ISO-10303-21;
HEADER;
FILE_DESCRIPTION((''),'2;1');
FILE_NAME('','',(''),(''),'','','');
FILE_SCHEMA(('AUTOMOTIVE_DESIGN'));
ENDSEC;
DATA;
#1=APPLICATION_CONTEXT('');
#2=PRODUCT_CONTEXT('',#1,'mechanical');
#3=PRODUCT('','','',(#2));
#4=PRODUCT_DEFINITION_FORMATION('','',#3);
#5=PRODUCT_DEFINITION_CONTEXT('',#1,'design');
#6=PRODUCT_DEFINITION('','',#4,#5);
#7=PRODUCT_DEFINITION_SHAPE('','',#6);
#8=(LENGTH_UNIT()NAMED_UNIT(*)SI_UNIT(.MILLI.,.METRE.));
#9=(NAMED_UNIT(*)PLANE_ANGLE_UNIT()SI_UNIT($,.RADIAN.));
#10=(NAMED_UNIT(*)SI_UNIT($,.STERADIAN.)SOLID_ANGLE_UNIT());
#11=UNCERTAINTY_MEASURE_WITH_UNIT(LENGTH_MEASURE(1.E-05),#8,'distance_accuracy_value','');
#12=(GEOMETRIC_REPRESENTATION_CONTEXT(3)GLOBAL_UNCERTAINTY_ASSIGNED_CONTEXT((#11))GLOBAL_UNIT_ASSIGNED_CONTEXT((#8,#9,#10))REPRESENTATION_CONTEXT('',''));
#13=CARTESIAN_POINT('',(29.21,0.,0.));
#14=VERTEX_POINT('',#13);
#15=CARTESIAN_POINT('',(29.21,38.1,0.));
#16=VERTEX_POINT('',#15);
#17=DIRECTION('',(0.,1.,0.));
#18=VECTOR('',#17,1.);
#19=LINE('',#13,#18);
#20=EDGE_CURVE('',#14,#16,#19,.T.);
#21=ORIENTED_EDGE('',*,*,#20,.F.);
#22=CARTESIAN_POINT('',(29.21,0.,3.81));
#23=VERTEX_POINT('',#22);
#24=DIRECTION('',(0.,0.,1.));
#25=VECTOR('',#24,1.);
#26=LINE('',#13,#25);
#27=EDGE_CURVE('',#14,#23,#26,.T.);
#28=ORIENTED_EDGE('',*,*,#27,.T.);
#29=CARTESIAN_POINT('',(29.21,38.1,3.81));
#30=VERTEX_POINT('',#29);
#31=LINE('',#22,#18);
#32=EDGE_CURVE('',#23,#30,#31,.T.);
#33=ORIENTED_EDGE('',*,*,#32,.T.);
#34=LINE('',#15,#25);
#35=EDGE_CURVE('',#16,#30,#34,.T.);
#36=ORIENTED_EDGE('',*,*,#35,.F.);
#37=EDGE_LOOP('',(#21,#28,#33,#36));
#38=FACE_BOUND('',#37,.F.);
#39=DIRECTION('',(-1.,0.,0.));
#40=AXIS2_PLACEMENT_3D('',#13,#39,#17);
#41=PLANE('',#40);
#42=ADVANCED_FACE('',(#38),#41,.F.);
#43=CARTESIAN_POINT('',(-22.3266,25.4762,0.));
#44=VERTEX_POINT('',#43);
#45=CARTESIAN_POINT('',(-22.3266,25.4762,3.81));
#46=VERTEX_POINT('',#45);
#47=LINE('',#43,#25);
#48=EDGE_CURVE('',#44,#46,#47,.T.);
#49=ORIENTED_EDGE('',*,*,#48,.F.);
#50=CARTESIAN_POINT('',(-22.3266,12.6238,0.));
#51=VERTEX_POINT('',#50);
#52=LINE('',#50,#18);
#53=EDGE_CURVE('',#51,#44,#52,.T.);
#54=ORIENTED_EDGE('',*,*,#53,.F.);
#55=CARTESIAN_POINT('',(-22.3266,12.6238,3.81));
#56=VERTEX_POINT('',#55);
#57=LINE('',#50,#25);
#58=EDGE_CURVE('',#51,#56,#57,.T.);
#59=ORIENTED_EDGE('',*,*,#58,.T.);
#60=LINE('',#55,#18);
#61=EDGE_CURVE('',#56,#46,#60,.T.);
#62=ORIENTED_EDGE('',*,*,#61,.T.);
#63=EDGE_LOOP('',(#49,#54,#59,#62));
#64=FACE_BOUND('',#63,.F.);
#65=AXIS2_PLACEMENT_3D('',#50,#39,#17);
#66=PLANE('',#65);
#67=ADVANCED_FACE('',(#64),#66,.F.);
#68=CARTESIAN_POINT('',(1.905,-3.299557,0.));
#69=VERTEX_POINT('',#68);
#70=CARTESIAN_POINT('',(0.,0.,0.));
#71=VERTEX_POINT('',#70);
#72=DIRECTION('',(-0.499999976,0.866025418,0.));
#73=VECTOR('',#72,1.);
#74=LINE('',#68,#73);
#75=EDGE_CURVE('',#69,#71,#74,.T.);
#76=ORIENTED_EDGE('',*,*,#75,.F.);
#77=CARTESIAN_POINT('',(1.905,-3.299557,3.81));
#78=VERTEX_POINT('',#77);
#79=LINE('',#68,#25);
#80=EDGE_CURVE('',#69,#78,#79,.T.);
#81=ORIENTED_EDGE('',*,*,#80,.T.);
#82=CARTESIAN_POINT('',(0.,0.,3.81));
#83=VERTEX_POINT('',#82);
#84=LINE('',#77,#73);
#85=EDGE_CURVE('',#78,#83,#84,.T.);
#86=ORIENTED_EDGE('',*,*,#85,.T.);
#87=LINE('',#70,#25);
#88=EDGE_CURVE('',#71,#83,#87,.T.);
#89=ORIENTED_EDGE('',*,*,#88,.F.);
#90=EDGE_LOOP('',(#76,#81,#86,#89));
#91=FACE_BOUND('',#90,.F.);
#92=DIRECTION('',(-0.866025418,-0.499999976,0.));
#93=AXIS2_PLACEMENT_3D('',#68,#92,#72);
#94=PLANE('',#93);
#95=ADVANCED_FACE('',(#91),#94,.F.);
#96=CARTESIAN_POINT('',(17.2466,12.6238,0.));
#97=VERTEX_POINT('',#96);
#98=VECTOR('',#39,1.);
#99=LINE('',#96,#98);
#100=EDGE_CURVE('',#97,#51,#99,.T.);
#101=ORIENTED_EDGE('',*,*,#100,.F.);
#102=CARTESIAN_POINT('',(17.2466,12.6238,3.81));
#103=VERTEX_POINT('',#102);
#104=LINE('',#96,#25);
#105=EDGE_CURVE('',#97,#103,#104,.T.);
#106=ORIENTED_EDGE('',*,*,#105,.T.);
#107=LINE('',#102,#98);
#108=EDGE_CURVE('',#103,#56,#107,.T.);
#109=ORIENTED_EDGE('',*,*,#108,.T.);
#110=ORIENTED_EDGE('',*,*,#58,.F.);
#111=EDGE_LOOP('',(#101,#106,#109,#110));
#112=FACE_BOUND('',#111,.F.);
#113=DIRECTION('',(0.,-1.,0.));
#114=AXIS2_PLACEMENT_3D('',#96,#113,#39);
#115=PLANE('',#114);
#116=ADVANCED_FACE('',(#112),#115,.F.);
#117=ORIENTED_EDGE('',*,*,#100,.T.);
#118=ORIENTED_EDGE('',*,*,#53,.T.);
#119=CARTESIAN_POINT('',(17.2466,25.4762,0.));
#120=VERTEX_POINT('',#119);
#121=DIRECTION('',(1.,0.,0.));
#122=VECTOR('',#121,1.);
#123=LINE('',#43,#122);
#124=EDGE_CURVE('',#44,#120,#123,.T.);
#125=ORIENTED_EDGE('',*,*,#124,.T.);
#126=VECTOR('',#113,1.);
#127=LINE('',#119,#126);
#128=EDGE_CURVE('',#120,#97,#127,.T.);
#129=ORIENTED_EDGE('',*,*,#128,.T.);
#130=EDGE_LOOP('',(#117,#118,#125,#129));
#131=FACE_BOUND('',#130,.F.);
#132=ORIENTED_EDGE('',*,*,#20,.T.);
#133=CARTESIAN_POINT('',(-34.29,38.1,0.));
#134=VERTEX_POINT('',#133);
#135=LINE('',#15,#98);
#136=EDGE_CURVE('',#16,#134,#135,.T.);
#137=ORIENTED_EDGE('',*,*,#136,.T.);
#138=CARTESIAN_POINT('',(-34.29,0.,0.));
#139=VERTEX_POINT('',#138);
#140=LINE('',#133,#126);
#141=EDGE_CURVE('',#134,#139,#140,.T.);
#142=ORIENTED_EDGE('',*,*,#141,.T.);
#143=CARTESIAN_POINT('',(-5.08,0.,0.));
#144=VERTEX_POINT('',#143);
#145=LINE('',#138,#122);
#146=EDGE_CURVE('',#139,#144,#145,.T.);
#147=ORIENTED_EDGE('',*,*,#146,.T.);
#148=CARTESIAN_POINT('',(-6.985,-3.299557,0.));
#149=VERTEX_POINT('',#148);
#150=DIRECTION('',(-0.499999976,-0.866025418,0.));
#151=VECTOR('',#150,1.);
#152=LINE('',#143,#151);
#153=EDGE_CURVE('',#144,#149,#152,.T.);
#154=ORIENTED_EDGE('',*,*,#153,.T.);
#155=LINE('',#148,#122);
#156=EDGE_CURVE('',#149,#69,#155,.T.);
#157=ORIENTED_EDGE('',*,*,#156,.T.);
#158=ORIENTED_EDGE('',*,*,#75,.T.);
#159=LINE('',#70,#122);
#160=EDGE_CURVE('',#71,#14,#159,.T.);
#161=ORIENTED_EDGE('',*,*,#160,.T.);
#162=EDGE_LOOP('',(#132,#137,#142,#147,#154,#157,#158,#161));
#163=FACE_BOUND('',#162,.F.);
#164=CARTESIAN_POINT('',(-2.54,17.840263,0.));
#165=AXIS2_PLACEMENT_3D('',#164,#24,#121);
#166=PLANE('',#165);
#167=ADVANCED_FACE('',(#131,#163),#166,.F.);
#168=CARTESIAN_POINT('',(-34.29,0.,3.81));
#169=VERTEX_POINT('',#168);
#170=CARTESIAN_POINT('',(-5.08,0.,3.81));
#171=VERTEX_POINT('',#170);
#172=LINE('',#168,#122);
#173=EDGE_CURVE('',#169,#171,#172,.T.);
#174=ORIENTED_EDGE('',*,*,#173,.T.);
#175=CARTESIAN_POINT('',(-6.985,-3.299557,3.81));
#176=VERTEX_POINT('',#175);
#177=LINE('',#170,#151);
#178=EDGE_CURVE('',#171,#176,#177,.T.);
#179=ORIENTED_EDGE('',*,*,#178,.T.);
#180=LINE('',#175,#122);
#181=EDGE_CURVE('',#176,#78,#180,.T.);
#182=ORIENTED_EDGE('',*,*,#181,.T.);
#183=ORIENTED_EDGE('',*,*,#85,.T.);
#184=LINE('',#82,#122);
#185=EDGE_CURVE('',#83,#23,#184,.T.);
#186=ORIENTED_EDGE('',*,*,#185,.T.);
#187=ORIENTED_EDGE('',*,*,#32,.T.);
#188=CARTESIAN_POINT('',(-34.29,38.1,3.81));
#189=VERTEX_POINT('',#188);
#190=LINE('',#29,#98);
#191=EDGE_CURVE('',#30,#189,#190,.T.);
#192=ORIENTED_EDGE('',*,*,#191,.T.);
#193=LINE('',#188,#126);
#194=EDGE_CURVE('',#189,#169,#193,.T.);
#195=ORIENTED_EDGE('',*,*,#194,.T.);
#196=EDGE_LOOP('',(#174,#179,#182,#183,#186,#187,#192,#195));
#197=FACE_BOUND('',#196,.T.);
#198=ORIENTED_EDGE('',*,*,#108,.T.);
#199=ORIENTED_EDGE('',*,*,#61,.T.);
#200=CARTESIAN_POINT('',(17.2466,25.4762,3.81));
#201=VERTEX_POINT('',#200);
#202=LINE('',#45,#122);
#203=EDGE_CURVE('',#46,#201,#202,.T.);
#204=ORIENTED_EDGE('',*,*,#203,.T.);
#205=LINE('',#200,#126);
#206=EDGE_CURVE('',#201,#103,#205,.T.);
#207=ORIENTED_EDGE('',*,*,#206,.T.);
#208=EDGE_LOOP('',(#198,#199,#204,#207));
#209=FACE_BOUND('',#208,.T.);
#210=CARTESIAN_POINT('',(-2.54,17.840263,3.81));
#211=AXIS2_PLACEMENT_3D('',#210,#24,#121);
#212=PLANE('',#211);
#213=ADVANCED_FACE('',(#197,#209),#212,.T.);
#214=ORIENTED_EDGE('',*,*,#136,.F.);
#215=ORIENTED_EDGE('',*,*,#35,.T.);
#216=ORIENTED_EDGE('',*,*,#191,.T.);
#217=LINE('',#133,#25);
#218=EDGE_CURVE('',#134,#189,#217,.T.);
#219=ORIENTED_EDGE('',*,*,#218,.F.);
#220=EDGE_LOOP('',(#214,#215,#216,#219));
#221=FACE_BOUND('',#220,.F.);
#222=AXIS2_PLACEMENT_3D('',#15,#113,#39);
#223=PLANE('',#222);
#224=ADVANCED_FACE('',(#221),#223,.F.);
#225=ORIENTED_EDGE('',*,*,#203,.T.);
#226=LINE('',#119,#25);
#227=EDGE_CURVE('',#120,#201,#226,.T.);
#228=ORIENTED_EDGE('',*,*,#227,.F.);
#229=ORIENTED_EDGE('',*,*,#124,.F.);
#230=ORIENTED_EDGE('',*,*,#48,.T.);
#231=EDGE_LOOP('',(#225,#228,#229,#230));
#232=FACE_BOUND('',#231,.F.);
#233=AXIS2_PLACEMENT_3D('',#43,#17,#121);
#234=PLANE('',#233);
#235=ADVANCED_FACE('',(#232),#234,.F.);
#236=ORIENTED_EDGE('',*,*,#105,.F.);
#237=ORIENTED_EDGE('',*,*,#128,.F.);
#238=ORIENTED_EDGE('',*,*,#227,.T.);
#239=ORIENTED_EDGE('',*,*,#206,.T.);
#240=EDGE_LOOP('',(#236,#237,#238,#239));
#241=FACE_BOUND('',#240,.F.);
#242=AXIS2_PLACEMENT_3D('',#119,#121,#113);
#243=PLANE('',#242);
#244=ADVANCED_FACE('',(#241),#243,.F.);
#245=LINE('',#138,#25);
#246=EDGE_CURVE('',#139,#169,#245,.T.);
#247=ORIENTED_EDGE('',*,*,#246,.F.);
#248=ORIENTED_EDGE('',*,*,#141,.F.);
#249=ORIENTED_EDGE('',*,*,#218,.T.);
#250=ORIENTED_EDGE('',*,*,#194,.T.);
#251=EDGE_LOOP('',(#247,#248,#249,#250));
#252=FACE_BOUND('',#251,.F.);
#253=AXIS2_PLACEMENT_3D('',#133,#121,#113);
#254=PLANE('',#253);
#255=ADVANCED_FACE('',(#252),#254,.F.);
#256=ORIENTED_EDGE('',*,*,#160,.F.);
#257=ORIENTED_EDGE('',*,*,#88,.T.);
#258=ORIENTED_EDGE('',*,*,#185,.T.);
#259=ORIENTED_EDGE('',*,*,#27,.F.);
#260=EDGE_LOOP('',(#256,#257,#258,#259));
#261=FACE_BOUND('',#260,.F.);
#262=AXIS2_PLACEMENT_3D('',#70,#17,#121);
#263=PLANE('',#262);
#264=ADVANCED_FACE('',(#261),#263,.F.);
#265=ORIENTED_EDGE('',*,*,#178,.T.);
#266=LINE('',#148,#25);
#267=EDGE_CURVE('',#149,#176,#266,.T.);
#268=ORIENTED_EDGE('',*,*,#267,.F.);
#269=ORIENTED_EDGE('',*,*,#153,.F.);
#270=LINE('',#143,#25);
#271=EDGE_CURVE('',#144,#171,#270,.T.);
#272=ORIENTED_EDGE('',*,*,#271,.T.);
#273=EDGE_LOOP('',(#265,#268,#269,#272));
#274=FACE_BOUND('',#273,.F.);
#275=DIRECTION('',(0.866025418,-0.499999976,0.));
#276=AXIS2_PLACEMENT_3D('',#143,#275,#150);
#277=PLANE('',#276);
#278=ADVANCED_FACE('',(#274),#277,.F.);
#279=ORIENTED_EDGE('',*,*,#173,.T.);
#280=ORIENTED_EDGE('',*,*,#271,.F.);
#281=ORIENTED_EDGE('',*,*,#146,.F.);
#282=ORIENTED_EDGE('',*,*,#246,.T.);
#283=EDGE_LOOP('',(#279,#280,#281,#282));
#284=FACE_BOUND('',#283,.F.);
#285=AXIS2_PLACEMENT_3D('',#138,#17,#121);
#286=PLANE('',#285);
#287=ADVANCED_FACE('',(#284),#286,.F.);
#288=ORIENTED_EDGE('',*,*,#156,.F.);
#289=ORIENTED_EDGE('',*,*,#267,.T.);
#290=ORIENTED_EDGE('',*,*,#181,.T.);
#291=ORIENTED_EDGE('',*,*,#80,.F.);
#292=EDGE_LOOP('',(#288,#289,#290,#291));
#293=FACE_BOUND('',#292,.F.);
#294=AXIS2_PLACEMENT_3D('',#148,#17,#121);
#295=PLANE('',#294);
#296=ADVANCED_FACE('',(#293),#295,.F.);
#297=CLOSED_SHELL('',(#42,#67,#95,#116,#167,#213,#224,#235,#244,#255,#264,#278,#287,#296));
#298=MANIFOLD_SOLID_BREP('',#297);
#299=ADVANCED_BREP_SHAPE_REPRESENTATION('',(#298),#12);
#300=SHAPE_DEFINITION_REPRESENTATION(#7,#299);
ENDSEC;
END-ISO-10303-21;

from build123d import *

# Parameters (mm, degrees)
F1_DEPTH = 3.81


with BuildPart() as f1:
    # F0 (on Top) → F1 (new body)
    with BuildSketch(Plane.XY):
        Polygon((-34.29, 0), (-5.08, 0), (-6.985, -3.299557), (1.905, -3.299557), (0, 0), (29.21, 0), (29.21, 38.1), (-2.54, 38.1), (-34.29, 38.1), align=None)
        Polygon((-22.3266, 25.4762), (-2.54, 25.4762), (17.2466, 25.4762), (17.2466, 12.6238), (-22.3266, 12.6238), align=None, mode=Mode.SUBTRACT)
    extrude(amount=F1_DEPTH)


solid = f1.part
